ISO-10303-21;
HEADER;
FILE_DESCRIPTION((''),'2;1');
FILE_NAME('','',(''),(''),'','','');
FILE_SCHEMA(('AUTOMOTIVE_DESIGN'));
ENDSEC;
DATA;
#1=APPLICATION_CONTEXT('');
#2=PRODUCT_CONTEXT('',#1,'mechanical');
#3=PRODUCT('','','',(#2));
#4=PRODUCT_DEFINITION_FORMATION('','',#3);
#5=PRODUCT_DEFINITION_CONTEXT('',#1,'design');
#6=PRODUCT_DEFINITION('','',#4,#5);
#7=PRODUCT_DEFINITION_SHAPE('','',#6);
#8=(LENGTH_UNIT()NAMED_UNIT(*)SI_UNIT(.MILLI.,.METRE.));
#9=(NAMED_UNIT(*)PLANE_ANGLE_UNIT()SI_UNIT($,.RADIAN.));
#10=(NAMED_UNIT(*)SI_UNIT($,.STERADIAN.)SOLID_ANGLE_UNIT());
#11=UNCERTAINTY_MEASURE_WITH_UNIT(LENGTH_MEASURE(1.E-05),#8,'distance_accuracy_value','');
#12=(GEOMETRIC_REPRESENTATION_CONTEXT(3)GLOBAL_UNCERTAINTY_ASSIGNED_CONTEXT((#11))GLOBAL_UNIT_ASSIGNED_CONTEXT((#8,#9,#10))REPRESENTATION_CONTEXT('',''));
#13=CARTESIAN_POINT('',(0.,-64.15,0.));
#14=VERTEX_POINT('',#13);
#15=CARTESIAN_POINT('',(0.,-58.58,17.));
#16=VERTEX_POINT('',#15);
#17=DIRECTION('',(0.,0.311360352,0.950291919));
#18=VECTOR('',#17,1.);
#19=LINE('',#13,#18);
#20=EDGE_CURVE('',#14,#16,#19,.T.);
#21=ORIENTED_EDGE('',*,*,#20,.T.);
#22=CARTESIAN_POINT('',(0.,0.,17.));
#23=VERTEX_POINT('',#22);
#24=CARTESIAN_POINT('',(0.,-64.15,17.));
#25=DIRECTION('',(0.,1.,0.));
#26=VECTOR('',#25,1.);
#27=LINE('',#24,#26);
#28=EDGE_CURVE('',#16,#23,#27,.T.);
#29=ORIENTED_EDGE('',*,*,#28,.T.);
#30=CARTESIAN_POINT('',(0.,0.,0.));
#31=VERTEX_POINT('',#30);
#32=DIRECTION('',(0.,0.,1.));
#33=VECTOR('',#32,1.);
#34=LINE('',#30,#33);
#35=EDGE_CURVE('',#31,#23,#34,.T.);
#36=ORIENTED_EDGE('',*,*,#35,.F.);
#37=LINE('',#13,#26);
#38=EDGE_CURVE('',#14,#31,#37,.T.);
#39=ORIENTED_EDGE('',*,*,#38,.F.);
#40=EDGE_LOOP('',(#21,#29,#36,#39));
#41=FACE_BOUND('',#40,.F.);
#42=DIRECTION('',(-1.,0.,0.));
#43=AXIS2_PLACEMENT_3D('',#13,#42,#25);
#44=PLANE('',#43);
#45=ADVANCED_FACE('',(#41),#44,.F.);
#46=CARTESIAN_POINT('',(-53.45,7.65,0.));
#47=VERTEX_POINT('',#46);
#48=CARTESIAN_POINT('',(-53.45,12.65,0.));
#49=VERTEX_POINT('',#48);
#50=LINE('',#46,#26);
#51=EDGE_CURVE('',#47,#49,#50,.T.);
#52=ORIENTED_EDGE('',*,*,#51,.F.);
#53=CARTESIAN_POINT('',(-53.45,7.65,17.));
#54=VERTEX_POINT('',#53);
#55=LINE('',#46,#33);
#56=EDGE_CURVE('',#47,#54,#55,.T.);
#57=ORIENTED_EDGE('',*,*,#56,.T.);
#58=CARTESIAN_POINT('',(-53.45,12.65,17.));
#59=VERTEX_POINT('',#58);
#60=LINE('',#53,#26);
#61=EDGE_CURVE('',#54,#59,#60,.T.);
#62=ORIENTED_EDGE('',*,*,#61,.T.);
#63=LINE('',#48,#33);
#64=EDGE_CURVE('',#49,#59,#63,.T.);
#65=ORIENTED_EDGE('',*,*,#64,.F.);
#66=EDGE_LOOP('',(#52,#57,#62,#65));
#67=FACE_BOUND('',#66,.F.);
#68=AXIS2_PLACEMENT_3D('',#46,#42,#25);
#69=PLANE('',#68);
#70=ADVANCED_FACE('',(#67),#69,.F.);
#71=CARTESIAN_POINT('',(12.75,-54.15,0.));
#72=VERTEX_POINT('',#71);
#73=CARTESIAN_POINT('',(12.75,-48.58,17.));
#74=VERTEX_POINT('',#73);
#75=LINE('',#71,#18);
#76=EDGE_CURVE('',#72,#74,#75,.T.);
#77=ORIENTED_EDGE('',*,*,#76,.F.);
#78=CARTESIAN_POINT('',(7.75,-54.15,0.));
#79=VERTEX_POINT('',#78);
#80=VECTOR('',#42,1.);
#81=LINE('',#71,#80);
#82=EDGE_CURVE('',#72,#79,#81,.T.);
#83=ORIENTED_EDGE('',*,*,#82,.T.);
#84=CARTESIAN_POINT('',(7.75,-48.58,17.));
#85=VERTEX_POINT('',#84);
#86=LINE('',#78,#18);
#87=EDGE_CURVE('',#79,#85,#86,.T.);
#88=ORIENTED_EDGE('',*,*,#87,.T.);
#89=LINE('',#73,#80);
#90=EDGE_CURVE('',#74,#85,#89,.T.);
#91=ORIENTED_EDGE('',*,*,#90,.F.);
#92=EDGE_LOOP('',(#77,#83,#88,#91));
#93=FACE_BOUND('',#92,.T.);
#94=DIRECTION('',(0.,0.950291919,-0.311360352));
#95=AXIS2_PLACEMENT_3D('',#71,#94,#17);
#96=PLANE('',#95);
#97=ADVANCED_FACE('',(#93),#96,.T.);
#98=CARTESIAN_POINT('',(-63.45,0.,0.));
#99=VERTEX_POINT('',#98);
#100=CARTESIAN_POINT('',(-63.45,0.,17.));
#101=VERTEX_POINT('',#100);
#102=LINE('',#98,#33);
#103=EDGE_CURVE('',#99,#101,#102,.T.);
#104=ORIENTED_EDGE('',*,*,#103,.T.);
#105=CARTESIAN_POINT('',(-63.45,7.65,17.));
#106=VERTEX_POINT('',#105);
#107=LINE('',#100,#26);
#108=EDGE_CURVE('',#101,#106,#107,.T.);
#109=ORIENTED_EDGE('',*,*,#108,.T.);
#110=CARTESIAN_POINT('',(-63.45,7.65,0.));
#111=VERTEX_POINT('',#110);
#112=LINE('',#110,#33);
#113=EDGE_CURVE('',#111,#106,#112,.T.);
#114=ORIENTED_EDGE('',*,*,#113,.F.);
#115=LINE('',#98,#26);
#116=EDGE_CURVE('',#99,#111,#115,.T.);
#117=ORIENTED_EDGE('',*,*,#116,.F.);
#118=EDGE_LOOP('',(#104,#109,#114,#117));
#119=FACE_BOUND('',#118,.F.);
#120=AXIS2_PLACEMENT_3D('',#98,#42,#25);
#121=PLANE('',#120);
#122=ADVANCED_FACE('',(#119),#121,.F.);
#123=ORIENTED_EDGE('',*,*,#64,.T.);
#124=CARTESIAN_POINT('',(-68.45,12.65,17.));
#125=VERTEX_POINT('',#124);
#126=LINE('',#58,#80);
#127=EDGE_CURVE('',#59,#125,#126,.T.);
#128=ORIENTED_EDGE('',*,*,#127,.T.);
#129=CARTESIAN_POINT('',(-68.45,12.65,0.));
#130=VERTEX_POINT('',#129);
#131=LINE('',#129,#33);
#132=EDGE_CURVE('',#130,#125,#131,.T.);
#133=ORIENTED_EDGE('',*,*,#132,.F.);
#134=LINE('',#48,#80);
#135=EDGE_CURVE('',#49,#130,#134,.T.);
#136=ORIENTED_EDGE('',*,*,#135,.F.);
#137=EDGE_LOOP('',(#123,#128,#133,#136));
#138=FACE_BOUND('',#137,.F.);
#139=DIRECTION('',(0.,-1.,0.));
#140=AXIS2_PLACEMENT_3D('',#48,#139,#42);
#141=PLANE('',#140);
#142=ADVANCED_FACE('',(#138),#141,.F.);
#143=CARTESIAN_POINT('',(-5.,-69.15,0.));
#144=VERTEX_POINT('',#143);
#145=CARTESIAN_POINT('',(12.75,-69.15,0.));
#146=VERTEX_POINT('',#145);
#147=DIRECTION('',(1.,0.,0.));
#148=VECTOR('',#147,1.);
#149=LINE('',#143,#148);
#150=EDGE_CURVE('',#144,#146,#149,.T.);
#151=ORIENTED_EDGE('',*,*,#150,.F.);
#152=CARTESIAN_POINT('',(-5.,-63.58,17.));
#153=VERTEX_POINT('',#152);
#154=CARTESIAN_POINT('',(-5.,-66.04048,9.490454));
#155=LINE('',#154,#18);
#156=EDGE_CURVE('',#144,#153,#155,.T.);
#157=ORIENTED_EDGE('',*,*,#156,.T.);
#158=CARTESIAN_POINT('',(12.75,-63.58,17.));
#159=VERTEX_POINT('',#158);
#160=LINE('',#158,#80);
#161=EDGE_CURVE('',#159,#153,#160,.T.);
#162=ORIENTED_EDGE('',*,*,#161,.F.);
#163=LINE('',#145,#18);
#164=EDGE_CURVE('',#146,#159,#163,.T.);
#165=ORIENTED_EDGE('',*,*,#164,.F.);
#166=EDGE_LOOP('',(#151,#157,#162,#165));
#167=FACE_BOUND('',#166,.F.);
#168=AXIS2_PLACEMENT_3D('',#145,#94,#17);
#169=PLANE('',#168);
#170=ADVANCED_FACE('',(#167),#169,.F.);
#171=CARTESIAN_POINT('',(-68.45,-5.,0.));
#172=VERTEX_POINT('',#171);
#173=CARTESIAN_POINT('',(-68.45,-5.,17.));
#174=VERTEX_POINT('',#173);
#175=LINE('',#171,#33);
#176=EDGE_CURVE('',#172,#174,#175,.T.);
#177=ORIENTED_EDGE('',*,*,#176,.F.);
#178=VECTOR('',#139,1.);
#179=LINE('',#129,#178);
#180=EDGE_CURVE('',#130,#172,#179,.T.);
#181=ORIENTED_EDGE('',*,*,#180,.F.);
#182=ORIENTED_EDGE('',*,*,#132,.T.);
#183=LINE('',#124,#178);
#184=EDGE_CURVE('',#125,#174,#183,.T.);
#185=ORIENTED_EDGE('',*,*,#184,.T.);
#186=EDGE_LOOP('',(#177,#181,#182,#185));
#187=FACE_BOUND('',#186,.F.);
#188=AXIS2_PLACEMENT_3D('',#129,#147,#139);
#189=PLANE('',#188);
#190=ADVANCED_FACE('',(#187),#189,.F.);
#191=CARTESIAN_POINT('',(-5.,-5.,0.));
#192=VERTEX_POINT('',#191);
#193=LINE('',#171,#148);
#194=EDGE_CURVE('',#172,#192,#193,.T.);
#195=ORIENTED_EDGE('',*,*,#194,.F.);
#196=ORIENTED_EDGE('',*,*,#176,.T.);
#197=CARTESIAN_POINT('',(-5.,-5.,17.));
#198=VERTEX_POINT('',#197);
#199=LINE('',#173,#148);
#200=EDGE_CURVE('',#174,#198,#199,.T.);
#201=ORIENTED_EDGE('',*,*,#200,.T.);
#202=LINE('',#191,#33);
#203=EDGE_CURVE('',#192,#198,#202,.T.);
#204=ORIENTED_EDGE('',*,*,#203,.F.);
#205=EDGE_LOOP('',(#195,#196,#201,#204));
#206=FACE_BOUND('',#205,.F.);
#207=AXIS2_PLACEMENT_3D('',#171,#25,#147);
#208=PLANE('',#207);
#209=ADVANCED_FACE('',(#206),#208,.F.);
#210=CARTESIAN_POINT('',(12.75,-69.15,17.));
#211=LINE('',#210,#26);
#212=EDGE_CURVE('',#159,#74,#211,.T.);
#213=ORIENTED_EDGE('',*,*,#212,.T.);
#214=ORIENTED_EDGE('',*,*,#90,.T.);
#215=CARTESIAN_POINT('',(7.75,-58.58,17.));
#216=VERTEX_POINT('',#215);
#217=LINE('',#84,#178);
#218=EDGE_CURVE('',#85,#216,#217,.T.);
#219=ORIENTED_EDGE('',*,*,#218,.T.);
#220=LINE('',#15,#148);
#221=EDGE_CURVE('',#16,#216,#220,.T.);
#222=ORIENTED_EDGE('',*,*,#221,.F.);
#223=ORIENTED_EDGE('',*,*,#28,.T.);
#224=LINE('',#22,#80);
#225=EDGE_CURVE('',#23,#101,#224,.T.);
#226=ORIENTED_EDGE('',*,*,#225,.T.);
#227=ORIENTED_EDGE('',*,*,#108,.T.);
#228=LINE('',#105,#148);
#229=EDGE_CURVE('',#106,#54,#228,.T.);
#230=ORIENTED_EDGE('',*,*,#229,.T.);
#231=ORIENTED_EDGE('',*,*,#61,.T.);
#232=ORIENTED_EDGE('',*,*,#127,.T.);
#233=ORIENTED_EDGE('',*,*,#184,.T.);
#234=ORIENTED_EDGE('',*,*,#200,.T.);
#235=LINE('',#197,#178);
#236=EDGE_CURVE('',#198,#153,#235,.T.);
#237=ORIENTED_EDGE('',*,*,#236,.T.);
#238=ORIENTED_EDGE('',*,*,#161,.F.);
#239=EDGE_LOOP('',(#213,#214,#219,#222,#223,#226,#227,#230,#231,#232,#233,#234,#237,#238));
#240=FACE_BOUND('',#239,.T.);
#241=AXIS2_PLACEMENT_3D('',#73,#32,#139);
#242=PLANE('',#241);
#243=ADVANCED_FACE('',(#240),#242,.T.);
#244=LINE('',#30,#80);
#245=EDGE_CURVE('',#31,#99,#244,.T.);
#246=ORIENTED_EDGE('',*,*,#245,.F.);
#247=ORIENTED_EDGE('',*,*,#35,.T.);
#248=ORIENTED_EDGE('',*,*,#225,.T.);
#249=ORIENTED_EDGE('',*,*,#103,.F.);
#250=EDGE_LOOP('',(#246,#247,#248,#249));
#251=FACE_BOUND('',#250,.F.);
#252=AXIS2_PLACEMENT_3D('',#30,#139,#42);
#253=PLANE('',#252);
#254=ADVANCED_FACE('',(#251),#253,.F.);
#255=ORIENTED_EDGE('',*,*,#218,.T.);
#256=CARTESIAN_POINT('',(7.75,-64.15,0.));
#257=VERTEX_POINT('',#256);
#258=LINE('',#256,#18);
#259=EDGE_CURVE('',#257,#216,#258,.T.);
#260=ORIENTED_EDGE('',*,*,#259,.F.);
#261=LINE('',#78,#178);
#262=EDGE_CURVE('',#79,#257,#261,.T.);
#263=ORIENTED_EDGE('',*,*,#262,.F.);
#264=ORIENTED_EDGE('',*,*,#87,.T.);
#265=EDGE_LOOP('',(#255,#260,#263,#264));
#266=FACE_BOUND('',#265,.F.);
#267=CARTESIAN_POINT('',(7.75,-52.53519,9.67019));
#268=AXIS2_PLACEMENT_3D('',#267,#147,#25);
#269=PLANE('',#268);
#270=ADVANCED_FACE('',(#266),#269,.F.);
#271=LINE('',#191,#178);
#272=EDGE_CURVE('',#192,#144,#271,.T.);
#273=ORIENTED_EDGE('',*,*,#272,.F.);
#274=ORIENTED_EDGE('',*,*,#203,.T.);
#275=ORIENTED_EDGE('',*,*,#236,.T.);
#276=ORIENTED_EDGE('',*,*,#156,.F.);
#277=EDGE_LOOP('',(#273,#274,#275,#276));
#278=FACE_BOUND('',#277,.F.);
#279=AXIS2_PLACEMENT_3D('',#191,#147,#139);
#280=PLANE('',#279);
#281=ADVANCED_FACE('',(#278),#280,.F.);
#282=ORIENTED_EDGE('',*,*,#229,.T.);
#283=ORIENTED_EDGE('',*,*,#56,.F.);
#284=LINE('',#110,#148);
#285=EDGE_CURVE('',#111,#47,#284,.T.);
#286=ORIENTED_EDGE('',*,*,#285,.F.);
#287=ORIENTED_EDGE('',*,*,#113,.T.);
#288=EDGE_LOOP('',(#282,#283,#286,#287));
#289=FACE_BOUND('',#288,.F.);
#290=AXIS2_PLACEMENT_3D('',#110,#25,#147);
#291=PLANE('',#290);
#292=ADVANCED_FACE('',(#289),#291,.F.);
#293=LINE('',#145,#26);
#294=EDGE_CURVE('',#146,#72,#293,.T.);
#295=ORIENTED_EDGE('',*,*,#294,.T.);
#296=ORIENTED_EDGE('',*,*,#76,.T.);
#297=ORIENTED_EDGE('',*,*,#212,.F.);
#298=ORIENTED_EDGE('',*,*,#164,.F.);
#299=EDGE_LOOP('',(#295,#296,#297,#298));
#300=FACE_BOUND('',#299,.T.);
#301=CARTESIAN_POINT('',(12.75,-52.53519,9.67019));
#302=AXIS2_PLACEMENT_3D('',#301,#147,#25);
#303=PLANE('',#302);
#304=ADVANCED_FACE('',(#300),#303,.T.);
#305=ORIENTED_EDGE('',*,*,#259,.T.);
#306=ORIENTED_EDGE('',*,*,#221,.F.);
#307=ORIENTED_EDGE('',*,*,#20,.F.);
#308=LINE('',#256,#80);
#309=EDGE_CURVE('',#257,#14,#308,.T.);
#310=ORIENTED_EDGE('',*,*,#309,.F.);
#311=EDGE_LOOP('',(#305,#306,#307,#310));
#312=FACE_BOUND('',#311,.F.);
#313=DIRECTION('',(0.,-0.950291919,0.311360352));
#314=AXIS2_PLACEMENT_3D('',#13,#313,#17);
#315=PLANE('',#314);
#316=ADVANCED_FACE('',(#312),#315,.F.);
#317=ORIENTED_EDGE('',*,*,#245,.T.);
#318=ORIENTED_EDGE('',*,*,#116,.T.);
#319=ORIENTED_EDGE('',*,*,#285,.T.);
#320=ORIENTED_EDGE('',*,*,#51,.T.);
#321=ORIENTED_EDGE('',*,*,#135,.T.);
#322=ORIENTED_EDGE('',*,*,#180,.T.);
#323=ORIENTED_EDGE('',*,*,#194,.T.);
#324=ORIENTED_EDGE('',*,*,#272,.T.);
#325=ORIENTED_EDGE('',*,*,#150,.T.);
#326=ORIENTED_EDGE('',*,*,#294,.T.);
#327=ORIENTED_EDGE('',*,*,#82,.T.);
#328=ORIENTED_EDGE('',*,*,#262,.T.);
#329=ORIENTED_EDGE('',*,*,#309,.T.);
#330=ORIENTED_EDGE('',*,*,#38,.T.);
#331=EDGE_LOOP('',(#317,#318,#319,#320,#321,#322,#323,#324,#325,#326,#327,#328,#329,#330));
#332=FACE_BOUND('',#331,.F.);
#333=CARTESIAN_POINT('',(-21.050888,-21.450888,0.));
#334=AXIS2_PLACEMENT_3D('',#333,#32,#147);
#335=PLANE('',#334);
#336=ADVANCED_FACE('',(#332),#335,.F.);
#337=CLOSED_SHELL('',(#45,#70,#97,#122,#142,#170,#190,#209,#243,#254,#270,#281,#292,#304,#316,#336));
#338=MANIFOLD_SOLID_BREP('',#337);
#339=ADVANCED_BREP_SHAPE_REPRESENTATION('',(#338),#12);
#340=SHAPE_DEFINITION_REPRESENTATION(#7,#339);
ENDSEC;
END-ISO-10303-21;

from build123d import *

# Parameters (mm, degrees)
F1_DEPTH = 17
F3_DEPTH = 7.75
F5_DEPTH = 5
F7_DEPTH = 25


with BuildPart() as f1:
    # F0 (on Top) → F1 (new body)
    with BuildSketch(Plane.XY):
        Polygon((0, -64.15), (0, 0), (-63.45, 0), (-63.45, 7.65), (-53.45, 7.65), (-53.45, 12.65), (-68.45, 12.65), (-68.45, -5), (-5, -5), (-5, -69.15), (12.75, -69.15), (12.75, -54.15), (7.75, -54.15), (7.75, -64.15), align=None)
    extrude(amount=F1_DEPTH)

    # F2 (on face) → F3 (join)
    with BuildSketch(Plane.YZ):
        Polygon((-58.58, 17), (-64.15, 17), (-64.15, 0), align=None)
    extrude(amount=F3_DEPTH)

    # F4 (on face) → F5 (join)
    with BuildSketch(Plane.YZ.offset(12.75)):
        Polygon((-48.58, 17), (-54.15, 17), (-54.15, 0), align=None)
    extrude(amount=-F5_DEPTH)

    # F6 (on face) → F7 (cut)
    with BuildSketch(Plane.YZ.offset(12.75)):
        Polygon((-63.58, 17), (-69.15, 17), (-69.15, 0), align=None)
    extrude(amount=-F7_DEPTH, mode=Mode.SUBTRACT)


solid = f1.part
